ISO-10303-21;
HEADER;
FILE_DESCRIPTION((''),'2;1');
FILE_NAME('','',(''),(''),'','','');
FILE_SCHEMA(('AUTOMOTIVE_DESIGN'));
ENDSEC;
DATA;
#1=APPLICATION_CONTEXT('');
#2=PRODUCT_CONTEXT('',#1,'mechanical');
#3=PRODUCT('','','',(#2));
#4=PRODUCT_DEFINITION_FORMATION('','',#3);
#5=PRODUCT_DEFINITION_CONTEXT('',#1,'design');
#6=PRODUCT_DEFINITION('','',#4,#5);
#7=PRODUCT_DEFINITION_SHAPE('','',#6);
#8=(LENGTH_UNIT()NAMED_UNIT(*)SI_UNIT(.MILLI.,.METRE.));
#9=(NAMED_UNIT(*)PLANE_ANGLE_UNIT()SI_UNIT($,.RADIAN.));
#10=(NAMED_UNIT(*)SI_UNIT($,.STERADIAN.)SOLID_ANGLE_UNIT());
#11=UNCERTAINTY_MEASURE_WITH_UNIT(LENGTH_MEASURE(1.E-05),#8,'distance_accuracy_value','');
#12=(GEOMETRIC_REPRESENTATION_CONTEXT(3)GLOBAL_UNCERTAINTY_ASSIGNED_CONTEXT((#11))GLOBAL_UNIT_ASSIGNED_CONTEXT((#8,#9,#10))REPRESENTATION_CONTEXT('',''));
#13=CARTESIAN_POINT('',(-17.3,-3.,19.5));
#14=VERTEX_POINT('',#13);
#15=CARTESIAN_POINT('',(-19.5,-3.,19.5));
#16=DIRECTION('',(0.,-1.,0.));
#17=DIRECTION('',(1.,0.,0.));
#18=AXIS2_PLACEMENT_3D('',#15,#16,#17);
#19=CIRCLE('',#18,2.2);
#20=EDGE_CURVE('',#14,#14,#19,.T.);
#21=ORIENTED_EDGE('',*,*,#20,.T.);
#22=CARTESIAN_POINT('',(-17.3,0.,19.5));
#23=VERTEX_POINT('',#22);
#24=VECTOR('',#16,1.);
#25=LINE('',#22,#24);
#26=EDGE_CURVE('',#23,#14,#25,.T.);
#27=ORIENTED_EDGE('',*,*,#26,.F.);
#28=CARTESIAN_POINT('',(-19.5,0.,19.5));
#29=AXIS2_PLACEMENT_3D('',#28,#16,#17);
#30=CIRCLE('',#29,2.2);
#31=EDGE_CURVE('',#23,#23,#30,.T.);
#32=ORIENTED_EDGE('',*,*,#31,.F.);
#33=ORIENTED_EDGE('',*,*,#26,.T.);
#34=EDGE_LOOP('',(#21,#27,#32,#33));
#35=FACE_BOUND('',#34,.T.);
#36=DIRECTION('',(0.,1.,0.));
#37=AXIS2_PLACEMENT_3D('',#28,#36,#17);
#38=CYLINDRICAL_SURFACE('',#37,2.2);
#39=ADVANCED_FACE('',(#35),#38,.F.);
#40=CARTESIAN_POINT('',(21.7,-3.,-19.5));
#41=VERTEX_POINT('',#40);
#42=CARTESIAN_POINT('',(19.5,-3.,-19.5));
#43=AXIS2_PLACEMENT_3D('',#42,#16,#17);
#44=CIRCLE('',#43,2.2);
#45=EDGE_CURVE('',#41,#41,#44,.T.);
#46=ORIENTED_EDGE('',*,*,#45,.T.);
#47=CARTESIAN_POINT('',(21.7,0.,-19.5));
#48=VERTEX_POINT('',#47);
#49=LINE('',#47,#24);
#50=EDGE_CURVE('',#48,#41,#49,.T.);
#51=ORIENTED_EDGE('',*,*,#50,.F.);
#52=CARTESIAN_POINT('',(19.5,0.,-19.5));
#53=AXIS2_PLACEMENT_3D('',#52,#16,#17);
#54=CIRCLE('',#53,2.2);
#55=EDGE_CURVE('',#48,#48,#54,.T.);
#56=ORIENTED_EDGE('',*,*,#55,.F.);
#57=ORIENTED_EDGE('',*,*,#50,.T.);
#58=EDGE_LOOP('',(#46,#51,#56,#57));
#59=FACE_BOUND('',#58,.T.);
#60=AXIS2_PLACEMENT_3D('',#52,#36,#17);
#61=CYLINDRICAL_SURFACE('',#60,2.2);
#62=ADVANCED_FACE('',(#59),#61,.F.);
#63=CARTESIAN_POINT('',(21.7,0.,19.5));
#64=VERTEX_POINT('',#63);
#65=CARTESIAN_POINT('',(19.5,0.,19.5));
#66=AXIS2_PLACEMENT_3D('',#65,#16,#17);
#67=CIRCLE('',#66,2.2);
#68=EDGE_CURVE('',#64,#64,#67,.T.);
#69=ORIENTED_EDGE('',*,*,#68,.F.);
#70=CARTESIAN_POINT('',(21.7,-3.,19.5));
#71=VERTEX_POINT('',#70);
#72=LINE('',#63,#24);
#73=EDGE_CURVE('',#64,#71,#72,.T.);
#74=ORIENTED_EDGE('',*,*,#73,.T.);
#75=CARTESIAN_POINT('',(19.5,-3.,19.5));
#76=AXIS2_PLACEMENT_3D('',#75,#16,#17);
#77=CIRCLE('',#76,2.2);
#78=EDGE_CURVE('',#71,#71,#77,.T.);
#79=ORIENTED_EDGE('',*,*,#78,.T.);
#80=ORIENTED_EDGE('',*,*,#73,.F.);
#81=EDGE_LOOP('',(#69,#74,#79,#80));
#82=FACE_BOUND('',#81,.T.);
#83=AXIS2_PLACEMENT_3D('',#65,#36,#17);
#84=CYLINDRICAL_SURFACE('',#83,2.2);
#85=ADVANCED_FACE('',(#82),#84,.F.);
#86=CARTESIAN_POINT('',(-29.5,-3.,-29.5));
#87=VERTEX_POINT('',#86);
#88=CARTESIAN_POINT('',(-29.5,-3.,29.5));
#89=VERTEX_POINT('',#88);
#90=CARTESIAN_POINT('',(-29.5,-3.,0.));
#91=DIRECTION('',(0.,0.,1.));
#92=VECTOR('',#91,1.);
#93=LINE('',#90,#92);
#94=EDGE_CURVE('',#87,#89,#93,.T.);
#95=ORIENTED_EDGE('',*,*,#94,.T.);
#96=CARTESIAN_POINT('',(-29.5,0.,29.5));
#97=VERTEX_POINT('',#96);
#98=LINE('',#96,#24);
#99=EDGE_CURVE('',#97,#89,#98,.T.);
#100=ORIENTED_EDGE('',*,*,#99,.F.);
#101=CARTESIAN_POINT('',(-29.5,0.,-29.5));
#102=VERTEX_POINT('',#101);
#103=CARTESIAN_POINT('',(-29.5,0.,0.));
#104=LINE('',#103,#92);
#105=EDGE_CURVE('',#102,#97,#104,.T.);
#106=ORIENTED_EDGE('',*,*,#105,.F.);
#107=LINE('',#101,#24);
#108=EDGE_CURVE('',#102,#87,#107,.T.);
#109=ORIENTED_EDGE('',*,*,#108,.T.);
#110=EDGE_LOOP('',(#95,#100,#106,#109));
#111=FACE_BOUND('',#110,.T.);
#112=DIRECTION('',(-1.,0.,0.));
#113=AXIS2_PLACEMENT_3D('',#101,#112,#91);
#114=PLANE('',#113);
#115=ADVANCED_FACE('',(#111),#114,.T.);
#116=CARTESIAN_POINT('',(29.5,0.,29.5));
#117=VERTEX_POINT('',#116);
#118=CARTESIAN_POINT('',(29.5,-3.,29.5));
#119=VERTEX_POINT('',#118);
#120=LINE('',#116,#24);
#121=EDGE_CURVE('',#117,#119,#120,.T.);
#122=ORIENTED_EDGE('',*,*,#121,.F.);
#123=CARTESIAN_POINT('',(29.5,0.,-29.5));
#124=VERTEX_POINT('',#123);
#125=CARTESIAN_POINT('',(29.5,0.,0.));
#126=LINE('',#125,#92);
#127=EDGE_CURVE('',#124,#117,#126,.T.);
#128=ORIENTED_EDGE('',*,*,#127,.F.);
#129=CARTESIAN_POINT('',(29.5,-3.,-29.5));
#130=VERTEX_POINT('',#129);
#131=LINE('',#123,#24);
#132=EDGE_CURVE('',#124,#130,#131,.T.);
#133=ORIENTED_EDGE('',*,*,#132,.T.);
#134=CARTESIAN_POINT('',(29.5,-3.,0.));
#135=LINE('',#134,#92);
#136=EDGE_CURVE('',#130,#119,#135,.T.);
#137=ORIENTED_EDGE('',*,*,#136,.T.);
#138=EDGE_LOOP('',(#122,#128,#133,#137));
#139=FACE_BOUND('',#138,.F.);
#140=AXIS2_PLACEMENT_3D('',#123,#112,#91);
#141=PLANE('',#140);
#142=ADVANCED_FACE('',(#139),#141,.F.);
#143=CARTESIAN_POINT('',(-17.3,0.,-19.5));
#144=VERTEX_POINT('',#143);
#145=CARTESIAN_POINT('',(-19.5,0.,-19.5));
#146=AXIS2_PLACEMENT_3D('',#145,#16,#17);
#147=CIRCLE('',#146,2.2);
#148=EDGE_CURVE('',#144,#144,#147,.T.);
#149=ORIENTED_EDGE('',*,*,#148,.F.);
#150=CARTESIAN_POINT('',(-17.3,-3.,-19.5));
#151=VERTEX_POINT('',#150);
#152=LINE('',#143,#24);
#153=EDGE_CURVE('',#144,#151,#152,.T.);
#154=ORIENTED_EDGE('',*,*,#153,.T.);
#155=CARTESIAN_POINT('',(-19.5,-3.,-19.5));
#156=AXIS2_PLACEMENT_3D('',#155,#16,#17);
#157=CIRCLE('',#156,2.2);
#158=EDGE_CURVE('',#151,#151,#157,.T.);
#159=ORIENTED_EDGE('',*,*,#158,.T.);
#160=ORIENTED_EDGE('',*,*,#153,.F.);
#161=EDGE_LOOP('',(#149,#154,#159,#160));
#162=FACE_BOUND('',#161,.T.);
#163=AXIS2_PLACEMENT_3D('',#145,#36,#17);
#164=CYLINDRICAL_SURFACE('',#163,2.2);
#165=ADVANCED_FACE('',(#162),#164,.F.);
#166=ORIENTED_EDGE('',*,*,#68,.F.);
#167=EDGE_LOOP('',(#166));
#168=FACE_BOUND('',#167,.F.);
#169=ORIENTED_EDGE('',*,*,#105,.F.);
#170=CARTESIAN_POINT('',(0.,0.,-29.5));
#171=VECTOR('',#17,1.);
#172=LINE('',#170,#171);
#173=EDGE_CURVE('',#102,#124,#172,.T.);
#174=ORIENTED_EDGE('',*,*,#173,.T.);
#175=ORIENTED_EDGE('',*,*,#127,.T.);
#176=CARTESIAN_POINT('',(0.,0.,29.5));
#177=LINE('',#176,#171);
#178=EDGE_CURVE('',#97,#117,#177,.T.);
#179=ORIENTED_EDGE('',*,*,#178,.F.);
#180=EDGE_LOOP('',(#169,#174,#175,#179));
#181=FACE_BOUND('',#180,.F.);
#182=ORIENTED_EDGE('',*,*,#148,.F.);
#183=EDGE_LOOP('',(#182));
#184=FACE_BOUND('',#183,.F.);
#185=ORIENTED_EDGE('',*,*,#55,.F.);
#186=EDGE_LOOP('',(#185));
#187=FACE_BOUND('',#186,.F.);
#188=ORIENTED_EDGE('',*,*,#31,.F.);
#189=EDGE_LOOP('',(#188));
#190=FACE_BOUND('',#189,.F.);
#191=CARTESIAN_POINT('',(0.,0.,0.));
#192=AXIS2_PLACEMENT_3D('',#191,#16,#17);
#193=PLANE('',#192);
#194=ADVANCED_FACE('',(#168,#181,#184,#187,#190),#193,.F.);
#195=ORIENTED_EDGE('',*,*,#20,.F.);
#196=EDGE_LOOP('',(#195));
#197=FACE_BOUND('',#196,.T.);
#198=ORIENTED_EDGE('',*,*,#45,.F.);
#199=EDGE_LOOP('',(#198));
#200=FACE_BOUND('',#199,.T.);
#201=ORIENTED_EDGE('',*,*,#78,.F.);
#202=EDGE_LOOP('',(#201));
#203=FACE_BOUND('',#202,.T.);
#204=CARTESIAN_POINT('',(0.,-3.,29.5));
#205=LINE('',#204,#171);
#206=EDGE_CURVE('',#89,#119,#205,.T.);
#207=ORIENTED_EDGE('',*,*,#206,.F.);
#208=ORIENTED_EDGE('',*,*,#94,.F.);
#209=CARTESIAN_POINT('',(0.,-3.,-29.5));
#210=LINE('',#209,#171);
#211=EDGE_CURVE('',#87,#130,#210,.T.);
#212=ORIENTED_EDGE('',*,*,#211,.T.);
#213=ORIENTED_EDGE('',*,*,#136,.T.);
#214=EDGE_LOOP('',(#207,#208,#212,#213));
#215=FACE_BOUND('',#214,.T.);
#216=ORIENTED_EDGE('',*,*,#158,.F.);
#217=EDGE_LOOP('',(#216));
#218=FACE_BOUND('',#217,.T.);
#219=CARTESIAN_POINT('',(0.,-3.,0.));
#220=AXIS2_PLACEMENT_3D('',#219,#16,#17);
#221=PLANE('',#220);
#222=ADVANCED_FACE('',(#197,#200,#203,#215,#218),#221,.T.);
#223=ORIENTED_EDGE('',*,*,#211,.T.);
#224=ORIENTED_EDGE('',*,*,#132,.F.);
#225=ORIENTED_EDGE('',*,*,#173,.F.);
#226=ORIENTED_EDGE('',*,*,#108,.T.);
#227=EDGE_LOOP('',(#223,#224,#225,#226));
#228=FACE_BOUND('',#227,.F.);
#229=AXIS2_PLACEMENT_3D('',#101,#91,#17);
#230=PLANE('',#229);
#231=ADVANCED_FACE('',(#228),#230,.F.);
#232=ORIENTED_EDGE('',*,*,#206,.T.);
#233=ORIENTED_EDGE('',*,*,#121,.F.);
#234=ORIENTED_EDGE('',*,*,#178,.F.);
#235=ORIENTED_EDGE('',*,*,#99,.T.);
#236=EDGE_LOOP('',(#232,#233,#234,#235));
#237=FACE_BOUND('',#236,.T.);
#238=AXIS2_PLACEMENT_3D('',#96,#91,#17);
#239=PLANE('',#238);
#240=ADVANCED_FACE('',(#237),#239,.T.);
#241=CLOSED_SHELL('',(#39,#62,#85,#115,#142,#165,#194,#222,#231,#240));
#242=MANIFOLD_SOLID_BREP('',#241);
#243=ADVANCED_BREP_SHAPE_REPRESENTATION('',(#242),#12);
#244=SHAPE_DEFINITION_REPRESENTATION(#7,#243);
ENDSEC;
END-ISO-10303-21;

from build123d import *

# Parameters (mm, degrees)
F0_W     = 59
F0_H     = 58.999999
F0_R     = 2.2
F1_DEPTH = 3


with BuildPart() as f1:
    # F0 (on Front) → F1 (new body)
    with BuildSketch(Plane.XZ):
        with Locations((0, 1e-06)):
            Rectangle(F0_W, F0_H)
        with Locations((-19.5, -19.5)):
            Circle(F0_R, mode=Mode.SUBTRACT)
        with Locations((19.5, -19.5)):
            Circle(F0_R, mode=Mode.SUBTRACT)
        with Locations((-19.5, 19.5)):
            Circle(F0_R, mode=Mode.SUBTRACT)
        with Locations((19.5, 19.5)):
            Circle(F0_R, mode=Mode.SUBTRACT)
    extrude(amount=F1_DEPTH)


solid = f1.part
